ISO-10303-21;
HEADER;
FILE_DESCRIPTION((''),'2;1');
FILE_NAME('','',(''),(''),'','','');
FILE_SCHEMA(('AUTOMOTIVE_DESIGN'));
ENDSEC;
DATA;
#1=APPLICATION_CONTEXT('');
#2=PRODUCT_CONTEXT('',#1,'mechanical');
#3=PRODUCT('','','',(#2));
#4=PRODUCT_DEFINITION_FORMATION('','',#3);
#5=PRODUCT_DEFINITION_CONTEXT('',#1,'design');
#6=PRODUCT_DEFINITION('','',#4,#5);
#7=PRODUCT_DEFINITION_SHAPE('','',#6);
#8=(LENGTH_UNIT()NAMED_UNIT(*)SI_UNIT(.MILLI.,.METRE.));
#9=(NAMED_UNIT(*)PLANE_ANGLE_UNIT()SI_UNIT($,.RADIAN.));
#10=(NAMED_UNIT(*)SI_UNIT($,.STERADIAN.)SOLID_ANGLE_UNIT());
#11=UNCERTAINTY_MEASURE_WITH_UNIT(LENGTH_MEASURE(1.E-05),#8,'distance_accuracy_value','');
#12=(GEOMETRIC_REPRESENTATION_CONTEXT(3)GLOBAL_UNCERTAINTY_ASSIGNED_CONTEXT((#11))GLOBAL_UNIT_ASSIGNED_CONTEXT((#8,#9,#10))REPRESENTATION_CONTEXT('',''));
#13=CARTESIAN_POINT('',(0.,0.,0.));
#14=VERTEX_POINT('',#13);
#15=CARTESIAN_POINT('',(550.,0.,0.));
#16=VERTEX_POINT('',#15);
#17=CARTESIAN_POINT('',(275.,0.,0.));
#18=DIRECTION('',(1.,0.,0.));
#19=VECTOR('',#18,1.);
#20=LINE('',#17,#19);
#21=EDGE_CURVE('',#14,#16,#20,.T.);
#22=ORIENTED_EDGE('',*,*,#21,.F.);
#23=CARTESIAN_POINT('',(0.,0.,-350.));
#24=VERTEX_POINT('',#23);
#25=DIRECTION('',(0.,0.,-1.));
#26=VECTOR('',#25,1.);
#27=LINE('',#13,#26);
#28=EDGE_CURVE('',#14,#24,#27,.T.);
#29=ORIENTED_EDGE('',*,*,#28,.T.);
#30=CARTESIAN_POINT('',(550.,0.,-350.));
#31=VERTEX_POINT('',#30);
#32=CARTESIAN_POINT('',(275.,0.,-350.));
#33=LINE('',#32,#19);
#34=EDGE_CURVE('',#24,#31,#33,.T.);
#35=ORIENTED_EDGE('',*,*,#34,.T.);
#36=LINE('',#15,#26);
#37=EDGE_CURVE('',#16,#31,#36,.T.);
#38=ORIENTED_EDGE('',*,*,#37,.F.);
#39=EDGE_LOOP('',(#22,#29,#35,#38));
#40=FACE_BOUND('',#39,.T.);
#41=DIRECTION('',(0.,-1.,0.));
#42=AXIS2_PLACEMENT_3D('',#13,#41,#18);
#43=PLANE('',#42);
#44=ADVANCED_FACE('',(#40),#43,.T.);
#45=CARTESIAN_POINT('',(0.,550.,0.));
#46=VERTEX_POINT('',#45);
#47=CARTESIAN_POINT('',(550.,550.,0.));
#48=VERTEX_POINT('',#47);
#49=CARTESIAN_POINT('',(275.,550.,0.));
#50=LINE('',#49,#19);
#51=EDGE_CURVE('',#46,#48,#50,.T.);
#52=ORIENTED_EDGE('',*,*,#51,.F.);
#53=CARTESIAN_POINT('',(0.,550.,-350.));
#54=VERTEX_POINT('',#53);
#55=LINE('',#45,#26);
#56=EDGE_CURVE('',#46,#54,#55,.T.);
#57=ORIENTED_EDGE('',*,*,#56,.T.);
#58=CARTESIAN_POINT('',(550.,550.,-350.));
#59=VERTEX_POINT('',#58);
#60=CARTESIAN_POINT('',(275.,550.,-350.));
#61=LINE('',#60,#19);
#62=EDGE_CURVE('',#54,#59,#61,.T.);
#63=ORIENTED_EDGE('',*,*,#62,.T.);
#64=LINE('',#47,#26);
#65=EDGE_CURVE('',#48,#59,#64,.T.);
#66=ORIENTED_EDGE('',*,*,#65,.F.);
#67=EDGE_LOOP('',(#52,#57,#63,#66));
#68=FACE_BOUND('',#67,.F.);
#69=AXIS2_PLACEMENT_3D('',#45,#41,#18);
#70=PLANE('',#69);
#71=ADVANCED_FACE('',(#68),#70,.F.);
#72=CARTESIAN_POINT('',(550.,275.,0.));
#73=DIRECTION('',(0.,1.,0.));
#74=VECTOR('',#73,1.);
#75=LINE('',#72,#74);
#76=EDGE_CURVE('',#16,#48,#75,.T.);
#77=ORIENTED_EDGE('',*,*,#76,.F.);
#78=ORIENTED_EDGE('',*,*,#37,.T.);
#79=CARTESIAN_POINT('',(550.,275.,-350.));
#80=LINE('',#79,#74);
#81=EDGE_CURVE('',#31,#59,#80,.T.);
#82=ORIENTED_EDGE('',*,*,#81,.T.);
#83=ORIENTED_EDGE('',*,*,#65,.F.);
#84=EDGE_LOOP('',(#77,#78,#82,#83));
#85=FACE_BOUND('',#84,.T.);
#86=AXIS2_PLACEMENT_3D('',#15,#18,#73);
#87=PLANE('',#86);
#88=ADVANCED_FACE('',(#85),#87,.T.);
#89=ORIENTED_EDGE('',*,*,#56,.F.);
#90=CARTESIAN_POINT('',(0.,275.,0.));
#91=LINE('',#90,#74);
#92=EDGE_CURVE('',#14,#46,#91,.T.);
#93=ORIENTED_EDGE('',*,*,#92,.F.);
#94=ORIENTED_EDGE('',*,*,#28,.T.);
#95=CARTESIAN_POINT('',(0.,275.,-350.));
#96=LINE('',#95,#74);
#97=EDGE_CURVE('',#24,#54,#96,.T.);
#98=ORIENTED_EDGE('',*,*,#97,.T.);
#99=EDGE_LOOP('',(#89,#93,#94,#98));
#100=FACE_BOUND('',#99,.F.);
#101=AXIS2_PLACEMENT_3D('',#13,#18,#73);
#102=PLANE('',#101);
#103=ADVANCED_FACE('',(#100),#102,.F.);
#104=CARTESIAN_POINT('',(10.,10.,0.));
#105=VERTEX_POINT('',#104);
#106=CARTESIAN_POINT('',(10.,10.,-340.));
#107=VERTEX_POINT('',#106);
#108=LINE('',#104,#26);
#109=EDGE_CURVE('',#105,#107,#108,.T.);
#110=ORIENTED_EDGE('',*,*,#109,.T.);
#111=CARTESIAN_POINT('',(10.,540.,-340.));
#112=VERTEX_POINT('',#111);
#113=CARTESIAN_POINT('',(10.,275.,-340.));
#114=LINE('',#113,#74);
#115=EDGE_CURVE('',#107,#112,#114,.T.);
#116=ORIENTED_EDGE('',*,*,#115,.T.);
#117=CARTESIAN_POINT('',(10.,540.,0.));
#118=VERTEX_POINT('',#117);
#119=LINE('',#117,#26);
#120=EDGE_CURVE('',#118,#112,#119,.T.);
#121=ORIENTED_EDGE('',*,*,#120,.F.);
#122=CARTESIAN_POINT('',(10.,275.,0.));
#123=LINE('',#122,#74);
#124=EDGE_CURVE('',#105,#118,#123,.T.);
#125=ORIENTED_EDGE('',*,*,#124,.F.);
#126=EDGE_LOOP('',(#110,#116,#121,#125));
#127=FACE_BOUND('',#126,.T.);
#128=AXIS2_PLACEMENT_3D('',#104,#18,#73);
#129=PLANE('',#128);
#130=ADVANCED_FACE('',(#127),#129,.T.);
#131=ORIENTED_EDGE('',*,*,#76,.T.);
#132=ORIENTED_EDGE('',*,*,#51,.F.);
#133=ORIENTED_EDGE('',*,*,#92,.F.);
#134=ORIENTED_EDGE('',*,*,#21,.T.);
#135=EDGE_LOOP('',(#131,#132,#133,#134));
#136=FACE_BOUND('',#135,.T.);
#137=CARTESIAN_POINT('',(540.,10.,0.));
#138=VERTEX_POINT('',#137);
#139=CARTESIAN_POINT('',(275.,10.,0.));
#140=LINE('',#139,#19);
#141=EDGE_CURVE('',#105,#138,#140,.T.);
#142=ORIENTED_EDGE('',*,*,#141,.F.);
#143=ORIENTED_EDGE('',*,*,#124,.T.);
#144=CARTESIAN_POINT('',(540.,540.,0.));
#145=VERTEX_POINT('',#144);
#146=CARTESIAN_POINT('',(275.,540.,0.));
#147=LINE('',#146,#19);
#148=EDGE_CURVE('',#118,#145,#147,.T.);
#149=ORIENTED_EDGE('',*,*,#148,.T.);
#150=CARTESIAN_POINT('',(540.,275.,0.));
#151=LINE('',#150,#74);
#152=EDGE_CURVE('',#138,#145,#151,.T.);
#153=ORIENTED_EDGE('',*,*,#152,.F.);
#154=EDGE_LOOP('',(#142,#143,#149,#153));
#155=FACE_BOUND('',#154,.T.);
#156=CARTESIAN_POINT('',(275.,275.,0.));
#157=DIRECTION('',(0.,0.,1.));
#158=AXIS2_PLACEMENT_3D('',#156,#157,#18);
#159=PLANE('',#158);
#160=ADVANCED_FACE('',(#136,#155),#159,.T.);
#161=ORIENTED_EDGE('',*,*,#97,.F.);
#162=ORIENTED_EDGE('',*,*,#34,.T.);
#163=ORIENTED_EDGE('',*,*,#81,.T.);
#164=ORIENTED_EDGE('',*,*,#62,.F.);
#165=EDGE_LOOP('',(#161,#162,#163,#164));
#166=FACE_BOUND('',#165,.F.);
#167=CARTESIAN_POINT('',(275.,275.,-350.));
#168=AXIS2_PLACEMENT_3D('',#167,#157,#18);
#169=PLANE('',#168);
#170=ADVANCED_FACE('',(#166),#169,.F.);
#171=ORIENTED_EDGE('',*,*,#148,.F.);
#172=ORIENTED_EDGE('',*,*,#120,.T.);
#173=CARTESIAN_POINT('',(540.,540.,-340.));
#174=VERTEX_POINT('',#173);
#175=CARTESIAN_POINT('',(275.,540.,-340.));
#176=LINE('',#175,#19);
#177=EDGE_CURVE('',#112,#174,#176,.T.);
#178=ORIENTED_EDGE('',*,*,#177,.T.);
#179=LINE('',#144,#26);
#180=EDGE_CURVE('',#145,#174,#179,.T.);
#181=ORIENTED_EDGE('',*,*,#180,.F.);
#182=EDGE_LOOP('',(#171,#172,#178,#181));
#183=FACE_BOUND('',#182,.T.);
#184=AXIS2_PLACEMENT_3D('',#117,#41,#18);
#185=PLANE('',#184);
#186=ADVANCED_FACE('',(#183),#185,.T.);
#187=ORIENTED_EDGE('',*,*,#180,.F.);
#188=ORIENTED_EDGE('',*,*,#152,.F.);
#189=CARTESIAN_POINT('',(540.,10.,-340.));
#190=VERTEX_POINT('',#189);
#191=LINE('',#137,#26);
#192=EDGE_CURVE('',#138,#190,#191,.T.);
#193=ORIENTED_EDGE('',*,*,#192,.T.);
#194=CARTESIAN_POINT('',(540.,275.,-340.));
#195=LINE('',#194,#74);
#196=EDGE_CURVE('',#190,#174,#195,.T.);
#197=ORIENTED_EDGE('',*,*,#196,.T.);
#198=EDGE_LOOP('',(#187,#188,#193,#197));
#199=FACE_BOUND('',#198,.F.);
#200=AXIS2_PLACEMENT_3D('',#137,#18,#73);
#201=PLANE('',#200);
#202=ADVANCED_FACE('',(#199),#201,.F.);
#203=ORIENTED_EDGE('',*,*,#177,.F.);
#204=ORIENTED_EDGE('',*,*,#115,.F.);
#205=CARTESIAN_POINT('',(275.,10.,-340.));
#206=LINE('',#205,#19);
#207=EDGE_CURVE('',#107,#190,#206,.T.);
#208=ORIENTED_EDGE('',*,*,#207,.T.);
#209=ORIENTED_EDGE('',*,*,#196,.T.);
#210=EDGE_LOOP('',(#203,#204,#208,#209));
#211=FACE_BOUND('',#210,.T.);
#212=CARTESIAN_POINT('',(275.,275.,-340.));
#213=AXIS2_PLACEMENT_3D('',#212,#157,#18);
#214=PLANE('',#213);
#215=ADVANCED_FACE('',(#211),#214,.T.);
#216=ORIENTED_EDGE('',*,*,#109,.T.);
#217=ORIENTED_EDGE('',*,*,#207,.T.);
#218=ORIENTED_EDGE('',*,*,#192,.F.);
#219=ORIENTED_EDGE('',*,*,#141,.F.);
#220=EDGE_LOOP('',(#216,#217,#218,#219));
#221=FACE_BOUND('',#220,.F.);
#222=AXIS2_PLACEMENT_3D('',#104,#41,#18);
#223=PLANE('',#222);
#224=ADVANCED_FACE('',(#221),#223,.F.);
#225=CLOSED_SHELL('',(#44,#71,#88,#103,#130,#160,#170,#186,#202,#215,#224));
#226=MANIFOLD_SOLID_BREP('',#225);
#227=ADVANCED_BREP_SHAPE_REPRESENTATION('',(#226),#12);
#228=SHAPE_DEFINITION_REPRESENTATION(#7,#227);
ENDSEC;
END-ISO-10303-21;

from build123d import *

# Parameters (mm, degrees)
F0_W     = 550
F0_H     = 550
F1_DEPTH = 350
F2_W     = 530
F2_H     = 530
F3_DEPTH = 340


with BuildPart() as f1:
    # F0 (on Top) → F1 (new body)
    with BuildSketch(Plane.XY):
        with Locations((275, 275)):
            Rectangle(F0_W, F0_H)
    extrude(amount=-F1_DEPTH)

    # F2 (on Top) → F3 (cut)
    with BuildSketch(Plane.XY):
        with Locations((275, 275)):
            Rectangle(F2_W, F2_H)
    extrude(amount=-F3_DEPTH, mode=Mode.SUBTRACT)


solid = f1.part
